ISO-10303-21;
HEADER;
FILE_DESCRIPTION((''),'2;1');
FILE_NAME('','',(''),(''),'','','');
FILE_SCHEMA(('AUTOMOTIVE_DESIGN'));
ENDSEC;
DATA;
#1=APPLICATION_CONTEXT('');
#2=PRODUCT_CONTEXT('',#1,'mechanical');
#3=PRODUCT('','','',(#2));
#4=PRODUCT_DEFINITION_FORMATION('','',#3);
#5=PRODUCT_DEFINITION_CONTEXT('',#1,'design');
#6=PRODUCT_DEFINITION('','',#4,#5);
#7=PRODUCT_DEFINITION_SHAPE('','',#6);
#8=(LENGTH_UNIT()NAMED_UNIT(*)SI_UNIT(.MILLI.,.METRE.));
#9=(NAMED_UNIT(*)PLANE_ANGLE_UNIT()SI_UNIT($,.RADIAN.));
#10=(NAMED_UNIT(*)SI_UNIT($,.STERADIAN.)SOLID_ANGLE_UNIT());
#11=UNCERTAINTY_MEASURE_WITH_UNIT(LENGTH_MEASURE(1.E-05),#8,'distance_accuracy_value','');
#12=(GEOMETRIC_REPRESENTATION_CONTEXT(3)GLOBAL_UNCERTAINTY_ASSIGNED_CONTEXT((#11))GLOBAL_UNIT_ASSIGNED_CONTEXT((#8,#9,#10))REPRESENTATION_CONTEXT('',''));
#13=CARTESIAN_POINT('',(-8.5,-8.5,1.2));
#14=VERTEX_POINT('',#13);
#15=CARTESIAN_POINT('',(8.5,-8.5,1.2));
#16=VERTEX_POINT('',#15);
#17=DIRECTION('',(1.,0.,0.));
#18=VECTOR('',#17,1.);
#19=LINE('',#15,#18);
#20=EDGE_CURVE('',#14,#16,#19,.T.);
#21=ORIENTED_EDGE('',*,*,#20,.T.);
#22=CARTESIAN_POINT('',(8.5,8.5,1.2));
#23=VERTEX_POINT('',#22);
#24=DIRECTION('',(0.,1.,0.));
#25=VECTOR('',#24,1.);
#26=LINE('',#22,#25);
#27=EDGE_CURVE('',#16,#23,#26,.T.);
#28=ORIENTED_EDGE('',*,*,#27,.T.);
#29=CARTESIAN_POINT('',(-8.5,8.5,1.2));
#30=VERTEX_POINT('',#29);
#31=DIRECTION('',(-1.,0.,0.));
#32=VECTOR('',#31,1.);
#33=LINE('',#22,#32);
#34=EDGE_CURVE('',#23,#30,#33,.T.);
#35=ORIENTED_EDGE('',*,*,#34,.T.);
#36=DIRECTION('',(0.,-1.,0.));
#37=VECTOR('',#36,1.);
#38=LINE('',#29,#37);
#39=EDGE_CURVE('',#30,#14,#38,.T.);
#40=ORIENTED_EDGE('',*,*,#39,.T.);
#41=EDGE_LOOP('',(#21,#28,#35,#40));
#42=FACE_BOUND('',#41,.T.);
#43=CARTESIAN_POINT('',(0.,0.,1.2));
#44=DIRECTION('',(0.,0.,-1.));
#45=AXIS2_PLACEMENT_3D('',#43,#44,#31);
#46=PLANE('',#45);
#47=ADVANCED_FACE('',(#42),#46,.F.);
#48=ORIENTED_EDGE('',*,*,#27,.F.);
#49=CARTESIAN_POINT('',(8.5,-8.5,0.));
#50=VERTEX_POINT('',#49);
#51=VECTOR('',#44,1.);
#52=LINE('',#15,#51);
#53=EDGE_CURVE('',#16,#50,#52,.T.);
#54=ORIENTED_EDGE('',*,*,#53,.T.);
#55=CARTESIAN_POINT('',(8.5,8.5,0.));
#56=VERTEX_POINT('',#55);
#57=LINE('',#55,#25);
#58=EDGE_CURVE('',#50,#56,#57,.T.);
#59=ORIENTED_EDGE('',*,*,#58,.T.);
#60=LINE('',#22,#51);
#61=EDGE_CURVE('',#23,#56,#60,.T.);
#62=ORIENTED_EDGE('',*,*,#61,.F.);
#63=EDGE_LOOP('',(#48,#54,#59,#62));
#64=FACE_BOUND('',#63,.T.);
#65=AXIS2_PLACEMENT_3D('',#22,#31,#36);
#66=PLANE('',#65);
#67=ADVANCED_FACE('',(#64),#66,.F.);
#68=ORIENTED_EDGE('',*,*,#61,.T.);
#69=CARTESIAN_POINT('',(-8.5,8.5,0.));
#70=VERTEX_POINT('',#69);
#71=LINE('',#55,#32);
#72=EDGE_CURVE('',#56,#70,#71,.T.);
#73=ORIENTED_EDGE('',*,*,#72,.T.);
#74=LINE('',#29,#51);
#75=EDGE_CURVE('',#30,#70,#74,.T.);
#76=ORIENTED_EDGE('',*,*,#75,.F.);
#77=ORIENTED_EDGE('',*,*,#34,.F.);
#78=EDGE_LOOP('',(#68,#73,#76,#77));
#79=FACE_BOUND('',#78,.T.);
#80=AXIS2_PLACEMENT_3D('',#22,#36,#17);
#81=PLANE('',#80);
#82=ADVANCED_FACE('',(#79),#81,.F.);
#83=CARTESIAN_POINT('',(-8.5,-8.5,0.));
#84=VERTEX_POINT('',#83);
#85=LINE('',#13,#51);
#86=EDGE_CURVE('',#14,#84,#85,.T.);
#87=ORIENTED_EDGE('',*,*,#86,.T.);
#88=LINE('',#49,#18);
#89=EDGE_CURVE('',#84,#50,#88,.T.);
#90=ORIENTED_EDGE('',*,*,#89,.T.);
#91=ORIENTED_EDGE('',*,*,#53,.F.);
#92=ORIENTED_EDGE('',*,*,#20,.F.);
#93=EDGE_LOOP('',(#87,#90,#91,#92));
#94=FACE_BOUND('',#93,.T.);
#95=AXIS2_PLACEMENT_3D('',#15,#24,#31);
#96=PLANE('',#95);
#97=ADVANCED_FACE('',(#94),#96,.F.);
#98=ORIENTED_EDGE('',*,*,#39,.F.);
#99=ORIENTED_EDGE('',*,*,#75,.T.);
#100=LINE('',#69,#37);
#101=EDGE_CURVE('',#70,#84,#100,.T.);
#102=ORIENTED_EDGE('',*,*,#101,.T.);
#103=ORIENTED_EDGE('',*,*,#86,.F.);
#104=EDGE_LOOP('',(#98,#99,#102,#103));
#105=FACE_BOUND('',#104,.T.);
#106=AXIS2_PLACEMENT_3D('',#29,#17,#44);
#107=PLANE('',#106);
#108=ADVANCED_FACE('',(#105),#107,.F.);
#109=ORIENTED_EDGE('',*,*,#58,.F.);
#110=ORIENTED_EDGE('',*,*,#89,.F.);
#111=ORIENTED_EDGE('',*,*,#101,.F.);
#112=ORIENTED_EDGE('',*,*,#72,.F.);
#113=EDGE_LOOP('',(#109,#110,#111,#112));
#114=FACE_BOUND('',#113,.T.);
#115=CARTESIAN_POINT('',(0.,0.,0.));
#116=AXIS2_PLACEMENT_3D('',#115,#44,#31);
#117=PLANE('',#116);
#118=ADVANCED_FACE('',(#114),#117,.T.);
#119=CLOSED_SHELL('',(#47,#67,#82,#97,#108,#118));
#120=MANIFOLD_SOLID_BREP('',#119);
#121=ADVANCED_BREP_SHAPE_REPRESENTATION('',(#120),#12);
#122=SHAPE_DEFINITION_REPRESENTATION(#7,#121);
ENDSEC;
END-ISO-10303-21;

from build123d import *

# Parameters (mm, degrees)
SKETCH1_W           = 17
SKETCH1_H           = 17
BOSS_EXTRUDE1_DEPTH = 1.2


with BuildPart() as part:
    # Sketch1 → Boss-Extrude1 (new body)
    with BuildSketch(Plane.XY):
        Rectangle(SKETCH1_W, SKETCH1_H)
    extrude(amount=BOSS_EXTRUDE1_DEPTH)


solid = part.part
